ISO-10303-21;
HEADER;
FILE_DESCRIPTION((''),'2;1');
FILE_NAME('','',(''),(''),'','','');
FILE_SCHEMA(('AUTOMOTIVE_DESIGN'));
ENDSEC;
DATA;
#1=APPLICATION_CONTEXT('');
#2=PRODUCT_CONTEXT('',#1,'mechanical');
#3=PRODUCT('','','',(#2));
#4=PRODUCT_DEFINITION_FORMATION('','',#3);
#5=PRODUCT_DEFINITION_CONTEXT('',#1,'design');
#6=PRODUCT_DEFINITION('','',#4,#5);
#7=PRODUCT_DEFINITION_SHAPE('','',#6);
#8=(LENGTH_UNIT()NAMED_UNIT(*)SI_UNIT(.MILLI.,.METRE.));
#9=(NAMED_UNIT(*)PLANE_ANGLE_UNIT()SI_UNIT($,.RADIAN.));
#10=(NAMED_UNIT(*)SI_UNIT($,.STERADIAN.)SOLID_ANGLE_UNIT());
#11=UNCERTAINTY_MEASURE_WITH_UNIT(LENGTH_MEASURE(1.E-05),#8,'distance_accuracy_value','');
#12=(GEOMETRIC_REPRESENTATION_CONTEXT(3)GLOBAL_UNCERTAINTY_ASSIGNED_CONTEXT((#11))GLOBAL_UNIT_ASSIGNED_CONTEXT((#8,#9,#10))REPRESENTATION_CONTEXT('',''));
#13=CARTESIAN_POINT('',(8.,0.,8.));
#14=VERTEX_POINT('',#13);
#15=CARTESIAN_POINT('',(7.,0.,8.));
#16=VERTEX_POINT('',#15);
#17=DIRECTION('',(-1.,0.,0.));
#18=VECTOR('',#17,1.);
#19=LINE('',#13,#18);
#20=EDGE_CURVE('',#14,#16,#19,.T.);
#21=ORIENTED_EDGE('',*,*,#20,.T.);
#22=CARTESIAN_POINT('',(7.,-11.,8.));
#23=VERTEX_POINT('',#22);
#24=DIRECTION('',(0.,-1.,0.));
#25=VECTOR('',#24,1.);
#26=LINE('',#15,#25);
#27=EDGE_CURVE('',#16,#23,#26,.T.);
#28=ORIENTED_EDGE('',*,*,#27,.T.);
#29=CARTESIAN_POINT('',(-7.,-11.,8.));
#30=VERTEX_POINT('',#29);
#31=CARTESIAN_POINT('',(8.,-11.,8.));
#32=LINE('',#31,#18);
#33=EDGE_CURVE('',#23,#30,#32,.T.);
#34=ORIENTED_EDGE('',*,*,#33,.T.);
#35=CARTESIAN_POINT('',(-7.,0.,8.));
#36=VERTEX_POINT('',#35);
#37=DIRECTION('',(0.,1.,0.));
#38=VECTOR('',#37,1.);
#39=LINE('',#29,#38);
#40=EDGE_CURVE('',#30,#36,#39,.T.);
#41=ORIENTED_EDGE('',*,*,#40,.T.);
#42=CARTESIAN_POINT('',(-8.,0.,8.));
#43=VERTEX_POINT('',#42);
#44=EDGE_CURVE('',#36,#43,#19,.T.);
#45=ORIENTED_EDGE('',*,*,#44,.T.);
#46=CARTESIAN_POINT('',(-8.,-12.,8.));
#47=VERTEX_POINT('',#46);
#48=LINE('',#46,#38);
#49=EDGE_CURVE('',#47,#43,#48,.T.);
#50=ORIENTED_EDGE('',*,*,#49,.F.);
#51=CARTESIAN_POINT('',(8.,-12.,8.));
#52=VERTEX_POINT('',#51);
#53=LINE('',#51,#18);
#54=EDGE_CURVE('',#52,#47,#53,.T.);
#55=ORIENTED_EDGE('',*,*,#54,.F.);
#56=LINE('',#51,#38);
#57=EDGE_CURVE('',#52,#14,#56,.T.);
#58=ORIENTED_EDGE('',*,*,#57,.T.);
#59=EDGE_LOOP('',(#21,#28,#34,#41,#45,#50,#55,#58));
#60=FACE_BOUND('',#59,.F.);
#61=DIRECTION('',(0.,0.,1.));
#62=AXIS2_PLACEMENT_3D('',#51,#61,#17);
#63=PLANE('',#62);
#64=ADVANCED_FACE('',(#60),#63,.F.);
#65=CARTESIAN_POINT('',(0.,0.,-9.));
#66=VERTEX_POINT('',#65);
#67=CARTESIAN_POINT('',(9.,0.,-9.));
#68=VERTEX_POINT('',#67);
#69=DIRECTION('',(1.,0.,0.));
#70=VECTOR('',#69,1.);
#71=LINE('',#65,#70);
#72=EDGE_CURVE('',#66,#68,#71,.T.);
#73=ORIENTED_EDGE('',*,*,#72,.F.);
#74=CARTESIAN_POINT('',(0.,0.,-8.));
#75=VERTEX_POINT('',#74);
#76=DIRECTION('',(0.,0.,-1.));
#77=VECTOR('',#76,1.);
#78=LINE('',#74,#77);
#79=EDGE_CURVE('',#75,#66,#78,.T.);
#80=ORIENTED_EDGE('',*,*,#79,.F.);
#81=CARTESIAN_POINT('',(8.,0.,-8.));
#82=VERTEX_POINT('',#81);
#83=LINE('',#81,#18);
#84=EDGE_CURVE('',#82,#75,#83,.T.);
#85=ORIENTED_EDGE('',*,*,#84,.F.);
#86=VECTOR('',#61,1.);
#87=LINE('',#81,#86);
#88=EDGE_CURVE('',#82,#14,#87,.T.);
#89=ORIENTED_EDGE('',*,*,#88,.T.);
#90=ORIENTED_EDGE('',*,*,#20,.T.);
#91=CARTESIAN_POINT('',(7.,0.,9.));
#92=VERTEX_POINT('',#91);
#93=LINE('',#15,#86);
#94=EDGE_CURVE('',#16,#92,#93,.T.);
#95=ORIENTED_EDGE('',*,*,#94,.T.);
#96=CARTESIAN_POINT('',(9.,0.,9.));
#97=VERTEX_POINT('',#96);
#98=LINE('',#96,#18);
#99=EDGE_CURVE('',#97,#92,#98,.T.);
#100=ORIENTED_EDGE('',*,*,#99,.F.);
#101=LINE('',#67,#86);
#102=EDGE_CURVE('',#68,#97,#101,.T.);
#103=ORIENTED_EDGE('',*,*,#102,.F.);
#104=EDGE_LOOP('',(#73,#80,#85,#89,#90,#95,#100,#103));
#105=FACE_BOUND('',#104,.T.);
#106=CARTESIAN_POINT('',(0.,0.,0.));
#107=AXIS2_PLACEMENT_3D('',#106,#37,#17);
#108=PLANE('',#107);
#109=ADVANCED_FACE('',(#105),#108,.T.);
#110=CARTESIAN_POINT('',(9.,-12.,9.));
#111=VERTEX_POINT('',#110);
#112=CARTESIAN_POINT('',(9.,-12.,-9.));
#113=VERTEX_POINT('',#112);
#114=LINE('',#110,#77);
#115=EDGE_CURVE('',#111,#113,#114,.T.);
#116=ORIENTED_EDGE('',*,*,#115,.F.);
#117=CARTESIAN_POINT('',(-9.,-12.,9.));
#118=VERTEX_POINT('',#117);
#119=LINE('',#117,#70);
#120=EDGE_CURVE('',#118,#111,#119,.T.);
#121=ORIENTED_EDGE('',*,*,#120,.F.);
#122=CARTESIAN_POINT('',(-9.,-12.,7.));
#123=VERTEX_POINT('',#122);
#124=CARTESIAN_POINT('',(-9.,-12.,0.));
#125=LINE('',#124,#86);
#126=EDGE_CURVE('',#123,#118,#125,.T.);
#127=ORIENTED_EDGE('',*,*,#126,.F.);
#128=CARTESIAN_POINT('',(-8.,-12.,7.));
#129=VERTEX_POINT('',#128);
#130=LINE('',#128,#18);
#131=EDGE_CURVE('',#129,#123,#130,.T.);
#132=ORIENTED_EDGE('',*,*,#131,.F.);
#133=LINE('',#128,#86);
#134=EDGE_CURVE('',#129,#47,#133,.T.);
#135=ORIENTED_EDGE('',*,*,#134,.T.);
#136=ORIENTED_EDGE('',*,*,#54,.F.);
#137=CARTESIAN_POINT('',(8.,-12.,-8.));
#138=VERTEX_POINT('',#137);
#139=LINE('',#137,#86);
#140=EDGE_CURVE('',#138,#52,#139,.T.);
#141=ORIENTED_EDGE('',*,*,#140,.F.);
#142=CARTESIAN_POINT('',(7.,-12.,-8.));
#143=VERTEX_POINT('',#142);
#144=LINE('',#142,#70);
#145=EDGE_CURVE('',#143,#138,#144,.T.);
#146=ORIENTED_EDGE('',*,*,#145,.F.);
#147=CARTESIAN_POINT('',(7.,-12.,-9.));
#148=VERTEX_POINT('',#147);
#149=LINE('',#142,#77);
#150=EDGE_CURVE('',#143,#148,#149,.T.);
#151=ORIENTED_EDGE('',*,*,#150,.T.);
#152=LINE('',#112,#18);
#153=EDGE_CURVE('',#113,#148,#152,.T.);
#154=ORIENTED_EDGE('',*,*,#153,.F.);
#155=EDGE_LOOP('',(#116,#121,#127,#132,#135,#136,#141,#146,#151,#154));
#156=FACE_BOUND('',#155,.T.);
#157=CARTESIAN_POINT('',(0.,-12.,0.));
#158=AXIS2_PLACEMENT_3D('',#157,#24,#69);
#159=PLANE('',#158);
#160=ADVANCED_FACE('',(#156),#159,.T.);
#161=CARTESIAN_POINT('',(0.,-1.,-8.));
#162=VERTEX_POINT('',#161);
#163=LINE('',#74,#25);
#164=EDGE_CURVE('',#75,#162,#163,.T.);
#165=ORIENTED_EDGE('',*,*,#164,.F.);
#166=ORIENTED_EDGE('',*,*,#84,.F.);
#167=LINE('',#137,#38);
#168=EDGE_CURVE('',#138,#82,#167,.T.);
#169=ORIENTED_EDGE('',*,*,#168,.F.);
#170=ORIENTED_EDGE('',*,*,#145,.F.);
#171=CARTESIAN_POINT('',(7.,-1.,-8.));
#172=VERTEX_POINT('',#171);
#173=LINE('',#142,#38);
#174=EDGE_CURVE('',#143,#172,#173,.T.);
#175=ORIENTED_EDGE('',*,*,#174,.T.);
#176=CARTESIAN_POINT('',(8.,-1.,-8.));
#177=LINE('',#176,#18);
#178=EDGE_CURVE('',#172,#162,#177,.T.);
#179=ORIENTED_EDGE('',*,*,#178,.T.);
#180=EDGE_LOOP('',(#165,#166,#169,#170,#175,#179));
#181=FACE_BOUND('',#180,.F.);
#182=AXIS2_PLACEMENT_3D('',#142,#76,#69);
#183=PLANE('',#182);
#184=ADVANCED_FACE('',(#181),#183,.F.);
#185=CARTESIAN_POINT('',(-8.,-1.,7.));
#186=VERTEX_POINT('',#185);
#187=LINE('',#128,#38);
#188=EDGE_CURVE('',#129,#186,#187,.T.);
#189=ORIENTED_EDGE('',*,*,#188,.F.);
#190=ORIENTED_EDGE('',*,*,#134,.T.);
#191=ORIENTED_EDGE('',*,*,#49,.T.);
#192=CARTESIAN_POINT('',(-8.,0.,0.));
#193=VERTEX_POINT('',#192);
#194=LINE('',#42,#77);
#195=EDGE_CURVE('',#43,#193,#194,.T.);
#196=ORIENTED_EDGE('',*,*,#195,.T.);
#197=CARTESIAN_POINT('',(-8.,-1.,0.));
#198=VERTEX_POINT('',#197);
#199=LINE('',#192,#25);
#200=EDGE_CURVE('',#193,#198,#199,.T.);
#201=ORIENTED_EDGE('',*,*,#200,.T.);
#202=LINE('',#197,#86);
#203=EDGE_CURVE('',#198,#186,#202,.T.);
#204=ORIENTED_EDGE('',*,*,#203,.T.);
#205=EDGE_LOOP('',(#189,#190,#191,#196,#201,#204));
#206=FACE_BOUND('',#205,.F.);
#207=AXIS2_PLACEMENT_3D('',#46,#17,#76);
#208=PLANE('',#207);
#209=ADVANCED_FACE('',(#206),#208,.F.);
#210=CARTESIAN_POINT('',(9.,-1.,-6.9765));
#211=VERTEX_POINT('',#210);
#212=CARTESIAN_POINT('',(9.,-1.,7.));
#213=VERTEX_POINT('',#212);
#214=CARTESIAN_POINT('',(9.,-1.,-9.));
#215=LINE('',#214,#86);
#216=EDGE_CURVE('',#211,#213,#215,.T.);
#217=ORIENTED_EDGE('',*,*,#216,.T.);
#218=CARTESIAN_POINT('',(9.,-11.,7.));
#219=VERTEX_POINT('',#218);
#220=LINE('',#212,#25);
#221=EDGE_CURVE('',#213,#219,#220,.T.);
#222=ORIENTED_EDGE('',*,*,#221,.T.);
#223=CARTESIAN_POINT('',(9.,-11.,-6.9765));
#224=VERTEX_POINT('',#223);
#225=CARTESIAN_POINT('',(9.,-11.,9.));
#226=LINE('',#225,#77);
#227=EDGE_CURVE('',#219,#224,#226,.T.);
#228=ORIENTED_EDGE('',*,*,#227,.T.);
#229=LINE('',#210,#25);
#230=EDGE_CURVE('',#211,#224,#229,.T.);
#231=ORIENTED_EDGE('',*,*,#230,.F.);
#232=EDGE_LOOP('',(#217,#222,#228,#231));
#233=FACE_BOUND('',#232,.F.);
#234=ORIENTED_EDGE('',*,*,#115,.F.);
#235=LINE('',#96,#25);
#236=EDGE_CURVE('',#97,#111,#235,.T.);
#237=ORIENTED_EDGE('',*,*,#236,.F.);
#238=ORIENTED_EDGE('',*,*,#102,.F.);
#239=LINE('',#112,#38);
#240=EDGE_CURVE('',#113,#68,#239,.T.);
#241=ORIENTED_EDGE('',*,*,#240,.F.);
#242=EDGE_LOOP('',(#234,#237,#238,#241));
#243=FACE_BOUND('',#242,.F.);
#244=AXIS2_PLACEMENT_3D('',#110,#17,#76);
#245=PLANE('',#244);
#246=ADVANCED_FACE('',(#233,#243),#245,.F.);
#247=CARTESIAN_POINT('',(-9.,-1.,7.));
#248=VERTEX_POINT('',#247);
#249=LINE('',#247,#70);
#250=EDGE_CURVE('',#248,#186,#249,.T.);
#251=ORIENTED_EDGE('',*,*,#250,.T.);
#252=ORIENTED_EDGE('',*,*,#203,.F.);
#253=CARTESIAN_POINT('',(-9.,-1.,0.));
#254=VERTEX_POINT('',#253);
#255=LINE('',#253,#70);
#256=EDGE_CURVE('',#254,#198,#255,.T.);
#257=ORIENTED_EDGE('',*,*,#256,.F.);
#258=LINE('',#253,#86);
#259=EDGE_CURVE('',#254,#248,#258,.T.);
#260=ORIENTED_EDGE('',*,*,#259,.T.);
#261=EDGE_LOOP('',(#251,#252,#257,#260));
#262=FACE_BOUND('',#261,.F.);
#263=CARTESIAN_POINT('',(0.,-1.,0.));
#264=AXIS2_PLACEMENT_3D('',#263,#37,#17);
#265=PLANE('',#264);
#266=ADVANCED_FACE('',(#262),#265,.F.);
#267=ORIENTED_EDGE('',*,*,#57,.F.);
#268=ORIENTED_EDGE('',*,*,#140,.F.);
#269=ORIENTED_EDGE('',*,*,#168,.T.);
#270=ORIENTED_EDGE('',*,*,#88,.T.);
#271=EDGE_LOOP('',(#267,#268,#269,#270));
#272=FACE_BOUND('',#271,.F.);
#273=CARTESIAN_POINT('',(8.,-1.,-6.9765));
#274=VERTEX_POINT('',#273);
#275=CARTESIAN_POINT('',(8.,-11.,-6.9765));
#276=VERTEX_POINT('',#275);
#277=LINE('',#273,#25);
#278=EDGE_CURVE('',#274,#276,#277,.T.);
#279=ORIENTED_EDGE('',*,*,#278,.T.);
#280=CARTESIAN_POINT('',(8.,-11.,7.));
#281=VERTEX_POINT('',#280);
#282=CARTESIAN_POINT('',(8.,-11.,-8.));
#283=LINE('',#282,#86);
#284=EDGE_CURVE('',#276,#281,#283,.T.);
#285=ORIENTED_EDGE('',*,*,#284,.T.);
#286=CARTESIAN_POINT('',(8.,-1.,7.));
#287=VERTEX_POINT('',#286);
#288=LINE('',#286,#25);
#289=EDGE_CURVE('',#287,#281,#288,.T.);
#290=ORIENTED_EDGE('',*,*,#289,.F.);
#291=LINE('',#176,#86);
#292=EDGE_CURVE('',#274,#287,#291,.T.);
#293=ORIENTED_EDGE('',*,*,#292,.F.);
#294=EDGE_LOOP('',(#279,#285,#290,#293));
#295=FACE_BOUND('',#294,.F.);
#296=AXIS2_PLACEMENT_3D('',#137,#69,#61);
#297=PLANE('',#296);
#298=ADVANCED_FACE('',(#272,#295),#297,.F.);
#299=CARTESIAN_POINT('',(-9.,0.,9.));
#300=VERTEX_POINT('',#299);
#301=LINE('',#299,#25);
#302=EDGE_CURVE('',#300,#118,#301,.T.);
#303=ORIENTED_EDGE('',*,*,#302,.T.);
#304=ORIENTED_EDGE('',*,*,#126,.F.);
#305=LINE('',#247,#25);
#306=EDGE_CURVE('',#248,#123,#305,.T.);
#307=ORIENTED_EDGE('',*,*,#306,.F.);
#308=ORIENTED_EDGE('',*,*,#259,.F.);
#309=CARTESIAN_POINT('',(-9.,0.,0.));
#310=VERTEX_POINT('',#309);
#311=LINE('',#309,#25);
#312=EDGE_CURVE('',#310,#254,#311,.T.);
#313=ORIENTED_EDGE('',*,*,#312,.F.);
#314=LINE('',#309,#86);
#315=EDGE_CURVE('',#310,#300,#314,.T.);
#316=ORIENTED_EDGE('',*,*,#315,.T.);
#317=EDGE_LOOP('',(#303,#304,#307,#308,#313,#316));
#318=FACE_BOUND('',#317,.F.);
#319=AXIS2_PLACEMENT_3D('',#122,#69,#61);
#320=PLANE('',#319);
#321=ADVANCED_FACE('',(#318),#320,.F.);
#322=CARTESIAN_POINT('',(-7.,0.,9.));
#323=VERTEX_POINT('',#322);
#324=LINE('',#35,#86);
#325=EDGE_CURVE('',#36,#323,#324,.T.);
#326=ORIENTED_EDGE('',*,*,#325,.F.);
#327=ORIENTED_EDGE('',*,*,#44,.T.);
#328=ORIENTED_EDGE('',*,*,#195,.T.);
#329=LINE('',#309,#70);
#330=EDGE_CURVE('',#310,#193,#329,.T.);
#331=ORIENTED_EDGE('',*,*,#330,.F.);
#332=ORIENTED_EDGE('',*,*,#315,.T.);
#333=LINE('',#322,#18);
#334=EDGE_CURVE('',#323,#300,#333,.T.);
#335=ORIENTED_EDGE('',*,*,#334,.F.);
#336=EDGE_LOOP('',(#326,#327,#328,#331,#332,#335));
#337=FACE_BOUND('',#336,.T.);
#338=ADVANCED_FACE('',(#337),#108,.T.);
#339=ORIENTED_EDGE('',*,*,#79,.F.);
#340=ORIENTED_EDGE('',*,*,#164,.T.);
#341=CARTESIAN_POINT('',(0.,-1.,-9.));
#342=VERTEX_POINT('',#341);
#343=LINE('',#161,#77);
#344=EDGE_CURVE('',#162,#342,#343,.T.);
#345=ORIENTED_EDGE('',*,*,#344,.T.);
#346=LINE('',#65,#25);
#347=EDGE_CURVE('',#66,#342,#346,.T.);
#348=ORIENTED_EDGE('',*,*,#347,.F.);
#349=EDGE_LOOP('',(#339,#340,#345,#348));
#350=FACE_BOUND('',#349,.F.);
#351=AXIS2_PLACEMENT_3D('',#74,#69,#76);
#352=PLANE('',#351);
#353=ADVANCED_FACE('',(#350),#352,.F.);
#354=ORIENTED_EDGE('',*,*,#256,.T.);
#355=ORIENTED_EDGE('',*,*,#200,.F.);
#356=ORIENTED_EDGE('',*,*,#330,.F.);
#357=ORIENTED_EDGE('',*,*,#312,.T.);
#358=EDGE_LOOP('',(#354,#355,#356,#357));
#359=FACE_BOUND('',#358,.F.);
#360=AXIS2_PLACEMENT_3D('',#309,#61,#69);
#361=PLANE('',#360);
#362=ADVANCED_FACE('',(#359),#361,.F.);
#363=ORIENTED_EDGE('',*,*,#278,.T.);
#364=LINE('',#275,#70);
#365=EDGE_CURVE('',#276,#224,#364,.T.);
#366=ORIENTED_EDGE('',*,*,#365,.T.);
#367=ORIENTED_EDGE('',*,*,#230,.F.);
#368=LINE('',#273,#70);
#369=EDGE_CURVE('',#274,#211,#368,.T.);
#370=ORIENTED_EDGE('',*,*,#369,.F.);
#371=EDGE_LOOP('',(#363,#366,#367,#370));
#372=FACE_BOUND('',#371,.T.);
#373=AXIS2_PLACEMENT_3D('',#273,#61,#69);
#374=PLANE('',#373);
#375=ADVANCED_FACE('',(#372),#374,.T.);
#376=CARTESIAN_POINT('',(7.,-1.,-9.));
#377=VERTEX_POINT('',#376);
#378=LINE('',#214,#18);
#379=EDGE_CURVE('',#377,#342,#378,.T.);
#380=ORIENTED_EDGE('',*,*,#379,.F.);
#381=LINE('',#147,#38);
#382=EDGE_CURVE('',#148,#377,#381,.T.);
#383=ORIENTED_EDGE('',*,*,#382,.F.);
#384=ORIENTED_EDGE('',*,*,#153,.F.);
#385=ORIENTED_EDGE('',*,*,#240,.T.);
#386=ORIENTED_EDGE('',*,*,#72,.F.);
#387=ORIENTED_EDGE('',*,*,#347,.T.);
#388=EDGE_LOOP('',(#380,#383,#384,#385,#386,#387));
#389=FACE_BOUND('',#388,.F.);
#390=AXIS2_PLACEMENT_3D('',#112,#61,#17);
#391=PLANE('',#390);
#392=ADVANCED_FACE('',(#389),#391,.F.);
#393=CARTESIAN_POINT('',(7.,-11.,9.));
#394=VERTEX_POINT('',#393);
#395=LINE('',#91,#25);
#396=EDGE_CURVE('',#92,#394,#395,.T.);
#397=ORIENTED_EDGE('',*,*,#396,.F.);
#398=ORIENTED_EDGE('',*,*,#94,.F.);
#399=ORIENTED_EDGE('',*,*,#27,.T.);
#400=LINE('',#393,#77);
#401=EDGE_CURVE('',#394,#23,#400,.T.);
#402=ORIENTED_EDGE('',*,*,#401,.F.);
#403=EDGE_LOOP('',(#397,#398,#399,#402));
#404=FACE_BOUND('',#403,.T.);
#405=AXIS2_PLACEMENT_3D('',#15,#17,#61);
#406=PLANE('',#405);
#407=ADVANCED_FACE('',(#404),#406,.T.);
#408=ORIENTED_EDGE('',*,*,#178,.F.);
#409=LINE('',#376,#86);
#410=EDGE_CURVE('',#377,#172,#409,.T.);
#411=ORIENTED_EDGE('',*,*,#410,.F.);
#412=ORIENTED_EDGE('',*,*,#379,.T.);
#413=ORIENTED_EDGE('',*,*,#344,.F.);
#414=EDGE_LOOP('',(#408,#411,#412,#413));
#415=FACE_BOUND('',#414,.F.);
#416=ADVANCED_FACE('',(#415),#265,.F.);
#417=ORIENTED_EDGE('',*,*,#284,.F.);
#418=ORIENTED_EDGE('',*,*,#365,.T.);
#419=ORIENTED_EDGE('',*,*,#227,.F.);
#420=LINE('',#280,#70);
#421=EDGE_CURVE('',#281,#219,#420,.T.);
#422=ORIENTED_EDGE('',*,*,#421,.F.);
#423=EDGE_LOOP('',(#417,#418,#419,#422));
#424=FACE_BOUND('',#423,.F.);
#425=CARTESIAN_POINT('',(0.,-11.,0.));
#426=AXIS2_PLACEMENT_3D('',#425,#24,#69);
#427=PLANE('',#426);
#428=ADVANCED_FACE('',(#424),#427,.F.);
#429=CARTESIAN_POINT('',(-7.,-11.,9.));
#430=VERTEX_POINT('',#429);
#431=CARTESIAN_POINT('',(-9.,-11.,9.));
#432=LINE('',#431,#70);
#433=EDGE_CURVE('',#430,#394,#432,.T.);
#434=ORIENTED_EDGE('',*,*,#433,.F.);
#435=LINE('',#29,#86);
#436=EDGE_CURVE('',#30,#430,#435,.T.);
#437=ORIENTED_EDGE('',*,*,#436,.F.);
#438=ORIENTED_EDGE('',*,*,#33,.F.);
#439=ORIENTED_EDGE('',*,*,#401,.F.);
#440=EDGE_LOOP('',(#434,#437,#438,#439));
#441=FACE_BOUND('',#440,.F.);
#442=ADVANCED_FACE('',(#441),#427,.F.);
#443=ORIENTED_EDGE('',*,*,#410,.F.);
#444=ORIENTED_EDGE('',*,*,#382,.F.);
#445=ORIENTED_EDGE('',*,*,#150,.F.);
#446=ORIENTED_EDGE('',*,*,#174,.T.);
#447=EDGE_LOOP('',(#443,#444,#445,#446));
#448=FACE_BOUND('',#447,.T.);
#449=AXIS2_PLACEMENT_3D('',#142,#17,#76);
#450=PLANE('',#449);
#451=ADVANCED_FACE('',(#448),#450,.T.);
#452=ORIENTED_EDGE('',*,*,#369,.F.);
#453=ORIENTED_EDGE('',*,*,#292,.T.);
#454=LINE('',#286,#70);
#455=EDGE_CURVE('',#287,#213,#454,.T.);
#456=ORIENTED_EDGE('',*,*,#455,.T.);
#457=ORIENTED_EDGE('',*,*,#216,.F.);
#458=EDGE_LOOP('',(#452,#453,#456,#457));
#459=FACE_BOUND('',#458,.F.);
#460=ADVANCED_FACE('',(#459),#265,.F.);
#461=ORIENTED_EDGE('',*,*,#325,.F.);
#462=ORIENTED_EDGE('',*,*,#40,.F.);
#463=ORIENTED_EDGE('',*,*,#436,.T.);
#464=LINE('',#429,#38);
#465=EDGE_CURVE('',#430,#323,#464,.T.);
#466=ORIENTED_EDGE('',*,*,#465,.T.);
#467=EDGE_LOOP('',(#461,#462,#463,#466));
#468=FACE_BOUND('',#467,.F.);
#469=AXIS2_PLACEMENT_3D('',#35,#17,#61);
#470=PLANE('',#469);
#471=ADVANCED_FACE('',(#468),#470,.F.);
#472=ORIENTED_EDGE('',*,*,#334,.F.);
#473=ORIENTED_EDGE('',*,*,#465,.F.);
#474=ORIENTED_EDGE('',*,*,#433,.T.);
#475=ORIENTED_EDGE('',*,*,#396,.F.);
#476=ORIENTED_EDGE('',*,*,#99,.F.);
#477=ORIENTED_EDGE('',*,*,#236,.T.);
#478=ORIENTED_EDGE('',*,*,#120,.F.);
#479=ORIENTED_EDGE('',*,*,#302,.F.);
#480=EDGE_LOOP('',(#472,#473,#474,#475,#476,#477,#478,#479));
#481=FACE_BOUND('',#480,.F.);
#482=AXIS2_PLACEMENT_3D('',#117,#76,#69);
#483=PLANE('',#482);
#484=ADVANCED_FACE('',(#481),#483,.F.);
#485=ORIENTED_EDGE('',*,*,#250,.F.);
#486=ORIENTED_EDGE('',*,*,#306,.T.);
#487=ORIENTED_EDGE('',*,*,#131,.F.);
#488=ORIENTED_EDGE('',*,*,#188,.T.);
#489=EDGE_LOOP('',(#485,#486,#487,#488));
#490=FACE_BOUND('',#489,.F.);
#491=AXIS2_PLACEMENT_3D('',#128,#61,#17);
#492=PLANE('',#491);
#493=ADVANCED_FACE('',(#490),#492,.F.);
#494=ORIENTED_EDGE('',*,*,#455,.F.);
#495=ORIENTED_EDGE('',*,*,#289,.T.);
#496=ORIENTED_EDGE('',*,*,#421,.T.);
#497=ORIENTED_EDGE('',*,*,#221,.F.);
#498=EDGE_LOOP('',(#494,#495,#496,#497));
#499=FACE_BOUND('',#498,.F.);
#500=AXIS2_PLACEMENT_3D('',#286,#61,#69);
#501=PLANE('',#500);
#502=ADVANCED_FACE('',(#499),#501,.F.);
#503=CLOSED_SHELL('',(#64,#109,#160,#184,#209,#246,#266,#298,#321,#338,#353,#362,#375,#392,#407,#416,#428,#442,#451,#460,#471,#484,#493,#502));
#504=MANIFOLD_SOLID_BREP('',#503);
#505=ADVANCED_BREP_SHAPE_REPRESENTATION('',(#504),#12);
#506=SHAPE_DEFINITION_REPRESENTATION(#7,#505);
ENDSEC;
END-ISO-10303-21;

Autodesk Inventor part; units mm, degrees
ref_plane "YZ Plane" through (0, 0, 0) normal (1, 0, 0) x (0, 1, 0)
ref_plane "XZ Plane" through (0, 0, 0) normal (0, 1, 0) x (-1, 0, 0)
ref_plane "XY Plane" through (0, 0, 0) normal (0, 0, 1) x (1, 0, 0)
sketch "Sketch1" plane through (0, 0, 0) normal (0, 1, 0) x (-1, 0, 0)
  line L0 (-9, -9) -> (-9, 9)
  line L1 (-9, 9) -> (9, 9)
  line L2 (-8, -8) -> (-8, 8)
  line L3 (-8, 8) -> (8, 8)
  line L4 (0, -8) -> (0, -9)
  line L5 (0, -9) -> (-1, -9)
  line L6 (-8, -8) -> (0, -8)
  line L7 (-9, -9) -> (0, -9)
  line L8 (9, 0) -> (9, 9)
  line L9 (8, 8) -> (8, 1)
  line L10 (9, 0) -> (8, 0)
  line L11 (8, 0) -> (8, 1.1953)
  line L12 (8, 8) -> (8, 9)
  line L13 (-8, 8) -> (-8, 9)
  line L14 (9, 9) -> (8, 9)
  line L15 (-8, 9) -> (-9, 9)
  line L16 (8, 8) -> (7, 8)
  line L17 (7, 8) -> (7, 9)
  line L18 (-8, 8) -> (-7, 8)
  line L19 (-7, 9) -> (-8, 9)
  line L20 (-8, 8) -> (-7, 8)
  line L21 (-7, 8) -> (-7, 9)
  point P0 (0, 0)
  point P1 (0, 11.1675)
  dimension "d4" = 18
  dimension "d5" = 18
  dimension "d10" = 16
  dimension "d11" = 16
  dimension "d33" = 1
  dimension "d62" = 1
  dimension "d63" = 1
extrude "Extrusion1" add sketch "Sketch1" against normal blind 1 contours L0 L1 L13 L2 L6 L4 L5 L7 | L1 L21 L3 L13 | L1 L12 L3 L17 | L1 L8 L10 L11 L9 L12
ref_plane "Work Plane1" through (0, -12, 0) normal (0, -1, 0) x (1, 0, 0)
ref_plane "Work Plane6" through (0, -1, 0) normal (0, -1, 0) x (1, 0, 0)
sketch "Sketch11" plane through (0, -1, 0) normal (0, -1, 0) x (1, 0, 0)
  line L0 (9, 9) -> (-9, 9) projected
  line L1 (-9, 9) -> (-9, 7)
  line L2 (-9, 0) -> (-9, 9) projected
  line L3 (-8, 0) -> (-8, 8) projected
  line L4 (-8, 8) -> (8, 8) projected
  line L5 (-8, 7) -> (-8, 8)
  line L6 (-8, 8) -> (-7, 8)
  line L7 (-7, 8) -> (-7, 9)
  line L8 (-7, 9) -> (-9, 9)
  line L9 (-9, 7) -> (-8, 7)
  line L10 (9, -9) -> (9, 9) projected
  line L11 (9, 9) -> (7, 9)
  line L12 (7, 9) -> (7, 8)
  line L13 (7, 8) -> (8, 8)
  line L14 (8, 8) -> (8, 7)
  line L15 (8, 8) -> (8, -8) projected
  line L16 (9, 7) -> (9, 9)
  line L17 (8, 7) -> (9, 7)
  line L18 (8, -7.9765) -> (8, -6.9765)
  line L19 (8, -6.9765) -> (9, -6.9765)
  line L20 (9, -9) -> (7, -9)
  line L21 (0, -9) -> (9, -9) projected
  line L22 (8, -8) -> (0, -8) projected
  line L23 (7, -8) -> (8, -8)
  line L24 (8, -8) -> (7, -8)
  line L25 (7, -9) -> (7, -8)
  point P0 (0, 0)
  dimension "d54" = 2
  dimension "d55" = 1
  dimension "d56" = 2
  dimension "d57" = 1
extrude "Extrusion5" add sketch "Sketch11" along normal blind 10 contours L10 L17 L14 L4 L12 L0 | L7 L4 L3 L9 L1 L0 | L10 L20 L25 L22 L15 L19
sketch "Sketch12" plane through (0, -12, 0) normal (0, -1, 0) x (1, 0, 0)
  line L0 (9, 9) -> (9, -9) projected
  line L1 (9, 9) -> (9, -9)
  line L2 (9, -9) -> (7.0041, -9)
  line L3 (9, -9) -> (0, -9) projected
  line L4 (7, -8) -> (7, -9) projected
  line L5 (7, -8) -> (8, -8)
  line L6 (8, -8) -> (8, 8) projected
  line L7 (8, -8) -> (8, 8)
  line L8 (8, 8) -> (-8, 8) projected
  line L9 (8, 8) -> (-8, 8)
  line L10 (-8, 8) -> (-8, 7.0773)
  line L11 (-8, 8) -> (-8, 0) projected
  line L12 (-8, 7) -> (-9, 7) projected
  line L13 (-9, 0) -> (-9, 9) projected
  line L14 (-9, 7) -> (-9, 9)
  line L15 (-9, 9) -> (9, 9) projected
  line L16 (-9, 9) -> (9, 9)
  point P0 (0, 0)
extrude "Extrusion6" add sketch "Sketch12" against normal blind 1
properties part number "mousecap"
